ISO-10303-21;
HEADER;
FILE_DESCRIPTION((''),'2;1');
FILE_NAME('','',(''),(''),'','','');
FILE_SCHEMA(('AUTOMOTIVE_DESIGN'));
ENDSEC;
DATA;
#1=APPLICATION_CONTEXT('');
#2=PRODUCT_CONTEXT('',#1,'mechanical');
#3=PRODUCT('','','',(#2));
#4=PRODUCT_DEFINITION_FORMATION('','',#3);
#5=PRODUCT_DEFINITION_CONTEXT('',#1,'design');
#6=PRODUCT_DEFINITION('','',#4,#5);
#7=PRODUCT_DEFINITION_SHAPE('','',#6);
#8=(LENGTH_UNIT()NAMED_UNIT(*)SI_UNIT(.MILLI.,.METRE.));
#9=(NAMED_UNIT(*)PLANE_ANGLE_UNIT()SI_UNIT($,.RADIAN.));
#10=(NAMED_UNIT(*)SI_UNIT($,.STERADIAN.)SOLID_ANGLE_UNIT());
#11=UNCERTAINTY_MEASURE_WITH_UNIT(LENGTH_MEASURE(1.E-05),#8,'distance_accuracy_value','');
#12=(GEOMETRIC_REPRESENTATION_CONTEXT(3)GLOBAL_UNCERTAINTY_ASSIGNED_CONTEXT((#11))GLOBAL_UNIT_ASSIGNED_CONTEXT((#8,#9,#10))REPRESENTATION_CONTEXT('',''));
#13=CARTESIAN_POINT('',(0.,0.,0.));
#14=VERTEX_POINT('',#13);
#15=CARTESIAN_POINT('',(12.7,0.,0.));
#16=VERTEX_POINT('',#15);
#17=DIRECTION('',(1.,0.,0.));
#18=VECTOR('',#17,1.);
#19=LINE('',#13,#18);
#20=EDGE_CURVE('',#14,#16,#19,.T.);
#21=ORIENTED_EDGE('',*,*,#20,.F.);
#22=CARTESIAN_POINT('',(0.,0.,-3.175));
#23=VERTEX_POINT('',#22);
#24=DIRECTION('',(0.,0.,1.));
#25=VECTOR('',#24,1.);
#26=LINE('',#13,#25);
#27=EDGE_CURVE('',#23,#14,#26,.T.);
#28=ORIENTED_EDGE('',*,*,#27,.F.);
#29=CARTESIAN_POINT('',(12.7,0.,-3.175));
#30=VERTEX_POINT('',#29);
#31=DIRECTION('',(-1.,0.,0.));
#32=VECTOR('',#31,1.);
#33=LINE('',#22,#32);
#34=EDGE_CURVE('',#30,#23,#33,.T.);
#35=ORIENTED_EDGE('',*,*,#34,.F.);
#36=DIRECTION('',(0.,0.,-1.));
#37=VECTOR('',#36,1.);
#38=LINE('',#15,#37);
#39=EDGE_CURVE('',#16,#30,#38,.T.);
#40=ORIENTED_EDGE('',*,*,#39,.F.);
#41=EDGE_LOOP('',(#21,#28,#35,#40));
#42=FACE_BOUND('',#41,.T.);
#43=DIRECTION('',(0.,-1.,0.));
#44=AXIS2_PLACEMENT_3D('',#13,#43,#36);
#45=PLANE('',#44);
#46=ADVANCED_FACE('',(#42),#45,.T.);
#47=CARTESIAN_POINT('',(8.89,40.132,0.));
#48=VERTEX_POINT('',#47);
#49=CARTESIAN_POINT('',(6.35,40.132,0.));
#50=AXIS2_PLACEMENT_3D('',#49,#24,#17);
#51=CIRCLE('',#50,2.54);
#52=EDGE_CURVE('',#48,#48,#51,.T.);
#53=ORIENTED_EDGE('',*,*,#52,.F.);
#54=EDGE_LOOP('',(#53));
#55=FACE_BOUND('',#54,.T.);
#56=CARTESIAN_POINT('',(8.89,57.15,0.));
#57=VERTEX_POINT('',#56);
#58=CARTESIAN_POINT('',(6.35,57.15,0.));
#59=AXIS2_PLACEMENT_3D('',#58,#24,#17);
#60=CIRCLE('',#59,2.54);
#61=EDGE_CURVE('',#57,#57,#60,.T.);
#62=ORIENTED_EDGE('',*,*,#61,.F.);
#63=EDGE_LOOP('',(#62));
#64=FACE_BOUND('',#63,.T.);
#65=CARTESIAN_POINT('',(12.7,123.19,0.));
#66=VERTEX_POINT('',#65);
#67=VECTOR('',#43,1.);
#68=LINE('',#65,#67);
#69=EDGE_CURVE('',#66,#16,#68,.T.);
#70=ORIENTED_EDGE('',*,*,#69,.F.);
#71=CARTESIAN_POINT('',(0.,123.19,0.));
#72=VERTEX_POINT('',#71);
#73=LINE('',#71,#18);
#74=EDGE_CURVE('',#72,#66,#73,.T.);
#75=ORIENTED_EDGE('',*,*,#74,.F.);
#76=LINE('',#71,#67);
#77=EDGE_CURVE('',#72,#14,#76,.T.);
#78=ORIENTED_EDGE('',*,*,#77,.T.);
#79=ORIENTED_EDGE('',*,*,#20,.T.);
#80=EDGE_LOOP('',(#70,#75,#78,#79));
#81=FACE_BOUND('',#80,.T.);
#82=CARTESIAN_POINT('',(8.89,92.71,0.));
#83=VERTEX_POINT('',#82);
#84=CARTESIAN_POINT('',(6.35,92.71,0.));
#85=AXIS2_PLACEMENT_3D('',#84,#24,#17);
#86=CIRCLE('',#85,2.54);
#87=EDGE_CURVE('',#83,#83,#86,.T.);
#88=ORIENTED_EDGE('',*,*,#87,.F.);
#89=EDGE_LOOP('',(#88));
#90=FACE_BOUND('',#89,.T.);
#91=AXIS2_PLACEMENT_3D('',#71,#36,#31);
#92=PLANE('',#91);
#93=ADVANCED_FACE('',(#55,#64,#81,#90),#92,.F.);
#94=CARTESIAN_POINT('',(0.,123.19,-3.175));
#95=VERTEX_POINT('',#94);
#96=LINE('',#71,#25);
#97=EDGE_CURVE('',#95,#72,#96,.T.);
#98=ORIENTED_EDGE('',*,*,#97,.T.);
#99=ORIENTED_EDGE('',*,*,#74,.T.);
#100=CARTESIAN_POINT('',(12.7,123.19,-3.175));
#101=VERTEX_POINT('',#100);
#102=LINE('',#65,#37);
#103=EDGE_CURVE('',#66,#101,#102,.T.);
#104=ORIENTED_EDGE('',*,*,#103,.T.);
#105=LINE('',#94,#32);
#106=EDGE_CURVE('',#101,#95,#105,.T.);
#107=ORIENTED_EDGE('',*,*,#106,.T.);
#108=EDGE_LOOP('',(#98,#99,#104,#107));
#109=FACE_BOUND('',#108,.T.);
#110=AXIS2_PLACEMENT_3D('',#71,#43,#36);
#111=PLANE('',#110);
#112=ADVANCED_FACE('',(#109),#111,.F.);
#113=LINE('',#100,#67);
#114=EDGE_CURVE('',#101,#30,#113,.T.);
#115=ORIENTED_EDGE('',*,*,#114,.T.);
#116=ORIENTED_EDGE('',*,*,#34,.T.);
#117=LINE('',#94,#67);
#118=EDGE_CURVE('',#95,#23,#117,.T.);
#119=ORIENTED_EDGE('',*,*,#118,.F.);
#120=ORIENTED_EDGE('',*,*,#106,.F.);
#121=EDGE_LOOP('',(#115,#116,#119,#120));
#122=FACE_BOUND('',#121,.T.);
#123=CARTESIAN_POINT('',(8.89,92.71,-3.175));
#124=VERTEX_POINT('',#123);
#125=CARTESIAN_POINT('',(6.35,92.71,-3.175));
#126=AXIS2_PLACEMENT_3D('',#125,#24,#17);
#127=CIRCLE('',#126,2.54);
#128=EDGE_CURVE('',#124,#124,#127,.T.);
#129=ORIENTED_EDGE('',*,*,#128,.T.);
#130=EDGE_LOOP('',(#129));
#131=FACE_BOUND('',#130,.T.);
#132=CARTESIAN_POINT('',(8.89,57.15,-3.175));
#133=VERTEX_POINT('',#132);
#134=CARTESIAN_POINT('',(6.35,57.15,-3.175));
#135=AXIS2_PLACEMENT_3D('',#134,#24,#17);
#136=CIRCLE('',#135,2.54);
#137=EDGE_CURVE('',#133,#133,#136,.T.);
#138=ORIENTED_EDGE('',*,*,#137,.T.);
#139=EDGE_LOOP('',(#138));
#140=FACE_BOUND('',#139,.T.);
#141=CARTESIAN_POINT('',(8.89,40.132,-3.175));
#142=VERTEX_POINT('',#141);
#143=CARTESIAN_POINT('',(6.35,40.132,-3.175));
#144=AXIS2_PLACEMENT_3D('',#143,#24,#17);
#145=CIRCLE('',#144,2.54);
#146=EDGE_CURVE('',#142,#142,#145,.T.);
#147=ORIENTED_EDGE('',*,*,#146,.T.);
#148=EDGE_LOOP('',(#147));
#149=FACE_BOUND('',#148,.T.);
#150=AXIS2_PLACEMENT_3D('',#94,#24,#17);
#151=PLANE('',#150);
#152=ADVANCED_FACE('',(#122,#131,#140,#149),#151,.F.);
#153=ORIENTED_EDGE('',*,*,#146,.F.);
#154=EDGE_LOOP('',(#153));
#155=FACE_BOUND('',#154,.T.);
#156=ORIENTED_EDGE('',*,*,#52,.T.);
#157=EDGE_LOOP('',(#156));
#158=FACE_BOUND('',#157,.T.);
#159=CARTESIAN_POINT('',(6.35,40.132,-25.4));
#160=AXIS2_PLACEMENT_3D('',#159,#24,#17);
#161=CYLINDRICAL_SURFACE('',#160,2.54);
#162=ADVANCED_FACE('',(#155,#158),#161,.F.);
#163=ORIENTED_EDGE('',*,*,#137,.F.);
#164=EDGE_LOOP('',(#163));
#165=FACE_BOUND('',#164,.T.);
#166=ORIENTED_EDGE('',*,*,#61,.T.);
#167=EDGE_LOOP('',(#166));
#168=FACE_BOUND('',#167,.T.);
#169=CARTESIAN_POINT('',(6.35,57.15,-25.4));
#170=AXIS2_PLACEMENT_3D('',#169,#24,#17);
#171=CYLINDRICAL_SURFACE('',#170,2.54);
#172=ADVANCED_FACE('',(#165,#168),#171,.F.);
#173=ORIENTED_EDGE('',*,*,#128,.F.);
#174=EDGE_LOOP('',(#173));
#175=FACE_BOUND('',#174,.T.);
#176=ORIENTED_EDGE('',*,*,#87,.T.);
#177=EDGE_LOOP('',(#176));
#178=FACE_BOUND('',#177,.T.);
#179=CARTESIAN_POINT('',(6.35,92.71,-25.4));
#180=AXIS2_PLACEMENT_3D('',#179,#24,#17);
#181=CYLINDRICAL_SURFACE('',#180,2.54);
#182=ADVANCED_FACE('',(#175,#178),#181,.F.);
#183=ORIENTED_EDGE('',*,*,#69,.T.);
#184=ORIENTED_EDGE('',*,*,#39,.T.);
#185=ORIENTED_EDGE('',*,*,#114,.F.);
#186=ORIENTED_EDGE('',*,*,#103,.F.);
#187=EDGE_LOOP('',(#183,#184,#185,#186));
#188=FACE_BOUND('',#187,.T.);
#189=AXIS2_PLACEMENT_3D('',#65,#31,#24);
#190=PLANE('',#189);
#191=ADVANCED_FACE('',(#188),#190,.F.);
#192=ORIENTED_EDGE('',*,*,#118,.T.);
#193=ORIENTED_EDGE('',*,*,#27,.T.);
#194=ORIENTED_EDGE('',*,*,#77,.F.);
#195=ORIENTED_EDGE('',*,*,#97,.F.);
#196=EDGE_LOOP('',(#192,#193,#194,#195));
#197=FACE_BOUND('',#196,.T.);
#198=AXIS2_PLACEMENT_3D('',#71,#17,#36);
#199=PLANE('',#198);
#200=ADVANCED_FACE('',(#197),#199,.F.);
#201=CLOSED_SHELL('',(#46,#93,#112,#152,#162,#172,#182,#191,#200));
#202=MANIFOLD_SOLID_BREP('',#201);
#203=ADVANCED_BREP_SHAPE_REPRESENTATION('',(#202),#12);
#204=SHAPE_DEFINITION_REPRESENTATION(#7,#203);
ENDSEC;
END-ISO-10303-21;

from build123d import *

# Parameters (mm, degrees)
SKETCH2_W           = 12.7
SKETCH2_H           = 3.175
BOSS_EXTRUDE1_DEPTH = 123.19
SKETCH3_R           = 2.54
CUT_EXTRUDE1_DEPTH  = 25.4


with BuildPart() as part:
    # Sketch2 → Boss-Extrude1 (new body)
    with BuildSketch(Plane(origin=(0, 0, 0), x_dir=(1, 0, 0), z_dir=(0, 1, 0))):
        with Locations((6.35, 1.5875)):
            Rectangle(SKETCH2_W, SKETCH2_H)
    extrude(amount=BOSS_EXTRUDE1_DEPTH)

    # Sketch3 → Cut-Extrude1 (cut)
    with BuildSketch(Plane.XY):
        with Locations((6.35, 92.71)):
            Circle(SKETCH3_R)
        with Locations((6.35, 57.15)):
            Circle(SKETCH3_R)
        with Locations((6.35, 40.132)):
            Circle(SKETCH3_R)
    extrude(amount=-CUT_EXTRUDE1_DEPTH, mode=Mode.SUBTRACT)


solid = part.part
